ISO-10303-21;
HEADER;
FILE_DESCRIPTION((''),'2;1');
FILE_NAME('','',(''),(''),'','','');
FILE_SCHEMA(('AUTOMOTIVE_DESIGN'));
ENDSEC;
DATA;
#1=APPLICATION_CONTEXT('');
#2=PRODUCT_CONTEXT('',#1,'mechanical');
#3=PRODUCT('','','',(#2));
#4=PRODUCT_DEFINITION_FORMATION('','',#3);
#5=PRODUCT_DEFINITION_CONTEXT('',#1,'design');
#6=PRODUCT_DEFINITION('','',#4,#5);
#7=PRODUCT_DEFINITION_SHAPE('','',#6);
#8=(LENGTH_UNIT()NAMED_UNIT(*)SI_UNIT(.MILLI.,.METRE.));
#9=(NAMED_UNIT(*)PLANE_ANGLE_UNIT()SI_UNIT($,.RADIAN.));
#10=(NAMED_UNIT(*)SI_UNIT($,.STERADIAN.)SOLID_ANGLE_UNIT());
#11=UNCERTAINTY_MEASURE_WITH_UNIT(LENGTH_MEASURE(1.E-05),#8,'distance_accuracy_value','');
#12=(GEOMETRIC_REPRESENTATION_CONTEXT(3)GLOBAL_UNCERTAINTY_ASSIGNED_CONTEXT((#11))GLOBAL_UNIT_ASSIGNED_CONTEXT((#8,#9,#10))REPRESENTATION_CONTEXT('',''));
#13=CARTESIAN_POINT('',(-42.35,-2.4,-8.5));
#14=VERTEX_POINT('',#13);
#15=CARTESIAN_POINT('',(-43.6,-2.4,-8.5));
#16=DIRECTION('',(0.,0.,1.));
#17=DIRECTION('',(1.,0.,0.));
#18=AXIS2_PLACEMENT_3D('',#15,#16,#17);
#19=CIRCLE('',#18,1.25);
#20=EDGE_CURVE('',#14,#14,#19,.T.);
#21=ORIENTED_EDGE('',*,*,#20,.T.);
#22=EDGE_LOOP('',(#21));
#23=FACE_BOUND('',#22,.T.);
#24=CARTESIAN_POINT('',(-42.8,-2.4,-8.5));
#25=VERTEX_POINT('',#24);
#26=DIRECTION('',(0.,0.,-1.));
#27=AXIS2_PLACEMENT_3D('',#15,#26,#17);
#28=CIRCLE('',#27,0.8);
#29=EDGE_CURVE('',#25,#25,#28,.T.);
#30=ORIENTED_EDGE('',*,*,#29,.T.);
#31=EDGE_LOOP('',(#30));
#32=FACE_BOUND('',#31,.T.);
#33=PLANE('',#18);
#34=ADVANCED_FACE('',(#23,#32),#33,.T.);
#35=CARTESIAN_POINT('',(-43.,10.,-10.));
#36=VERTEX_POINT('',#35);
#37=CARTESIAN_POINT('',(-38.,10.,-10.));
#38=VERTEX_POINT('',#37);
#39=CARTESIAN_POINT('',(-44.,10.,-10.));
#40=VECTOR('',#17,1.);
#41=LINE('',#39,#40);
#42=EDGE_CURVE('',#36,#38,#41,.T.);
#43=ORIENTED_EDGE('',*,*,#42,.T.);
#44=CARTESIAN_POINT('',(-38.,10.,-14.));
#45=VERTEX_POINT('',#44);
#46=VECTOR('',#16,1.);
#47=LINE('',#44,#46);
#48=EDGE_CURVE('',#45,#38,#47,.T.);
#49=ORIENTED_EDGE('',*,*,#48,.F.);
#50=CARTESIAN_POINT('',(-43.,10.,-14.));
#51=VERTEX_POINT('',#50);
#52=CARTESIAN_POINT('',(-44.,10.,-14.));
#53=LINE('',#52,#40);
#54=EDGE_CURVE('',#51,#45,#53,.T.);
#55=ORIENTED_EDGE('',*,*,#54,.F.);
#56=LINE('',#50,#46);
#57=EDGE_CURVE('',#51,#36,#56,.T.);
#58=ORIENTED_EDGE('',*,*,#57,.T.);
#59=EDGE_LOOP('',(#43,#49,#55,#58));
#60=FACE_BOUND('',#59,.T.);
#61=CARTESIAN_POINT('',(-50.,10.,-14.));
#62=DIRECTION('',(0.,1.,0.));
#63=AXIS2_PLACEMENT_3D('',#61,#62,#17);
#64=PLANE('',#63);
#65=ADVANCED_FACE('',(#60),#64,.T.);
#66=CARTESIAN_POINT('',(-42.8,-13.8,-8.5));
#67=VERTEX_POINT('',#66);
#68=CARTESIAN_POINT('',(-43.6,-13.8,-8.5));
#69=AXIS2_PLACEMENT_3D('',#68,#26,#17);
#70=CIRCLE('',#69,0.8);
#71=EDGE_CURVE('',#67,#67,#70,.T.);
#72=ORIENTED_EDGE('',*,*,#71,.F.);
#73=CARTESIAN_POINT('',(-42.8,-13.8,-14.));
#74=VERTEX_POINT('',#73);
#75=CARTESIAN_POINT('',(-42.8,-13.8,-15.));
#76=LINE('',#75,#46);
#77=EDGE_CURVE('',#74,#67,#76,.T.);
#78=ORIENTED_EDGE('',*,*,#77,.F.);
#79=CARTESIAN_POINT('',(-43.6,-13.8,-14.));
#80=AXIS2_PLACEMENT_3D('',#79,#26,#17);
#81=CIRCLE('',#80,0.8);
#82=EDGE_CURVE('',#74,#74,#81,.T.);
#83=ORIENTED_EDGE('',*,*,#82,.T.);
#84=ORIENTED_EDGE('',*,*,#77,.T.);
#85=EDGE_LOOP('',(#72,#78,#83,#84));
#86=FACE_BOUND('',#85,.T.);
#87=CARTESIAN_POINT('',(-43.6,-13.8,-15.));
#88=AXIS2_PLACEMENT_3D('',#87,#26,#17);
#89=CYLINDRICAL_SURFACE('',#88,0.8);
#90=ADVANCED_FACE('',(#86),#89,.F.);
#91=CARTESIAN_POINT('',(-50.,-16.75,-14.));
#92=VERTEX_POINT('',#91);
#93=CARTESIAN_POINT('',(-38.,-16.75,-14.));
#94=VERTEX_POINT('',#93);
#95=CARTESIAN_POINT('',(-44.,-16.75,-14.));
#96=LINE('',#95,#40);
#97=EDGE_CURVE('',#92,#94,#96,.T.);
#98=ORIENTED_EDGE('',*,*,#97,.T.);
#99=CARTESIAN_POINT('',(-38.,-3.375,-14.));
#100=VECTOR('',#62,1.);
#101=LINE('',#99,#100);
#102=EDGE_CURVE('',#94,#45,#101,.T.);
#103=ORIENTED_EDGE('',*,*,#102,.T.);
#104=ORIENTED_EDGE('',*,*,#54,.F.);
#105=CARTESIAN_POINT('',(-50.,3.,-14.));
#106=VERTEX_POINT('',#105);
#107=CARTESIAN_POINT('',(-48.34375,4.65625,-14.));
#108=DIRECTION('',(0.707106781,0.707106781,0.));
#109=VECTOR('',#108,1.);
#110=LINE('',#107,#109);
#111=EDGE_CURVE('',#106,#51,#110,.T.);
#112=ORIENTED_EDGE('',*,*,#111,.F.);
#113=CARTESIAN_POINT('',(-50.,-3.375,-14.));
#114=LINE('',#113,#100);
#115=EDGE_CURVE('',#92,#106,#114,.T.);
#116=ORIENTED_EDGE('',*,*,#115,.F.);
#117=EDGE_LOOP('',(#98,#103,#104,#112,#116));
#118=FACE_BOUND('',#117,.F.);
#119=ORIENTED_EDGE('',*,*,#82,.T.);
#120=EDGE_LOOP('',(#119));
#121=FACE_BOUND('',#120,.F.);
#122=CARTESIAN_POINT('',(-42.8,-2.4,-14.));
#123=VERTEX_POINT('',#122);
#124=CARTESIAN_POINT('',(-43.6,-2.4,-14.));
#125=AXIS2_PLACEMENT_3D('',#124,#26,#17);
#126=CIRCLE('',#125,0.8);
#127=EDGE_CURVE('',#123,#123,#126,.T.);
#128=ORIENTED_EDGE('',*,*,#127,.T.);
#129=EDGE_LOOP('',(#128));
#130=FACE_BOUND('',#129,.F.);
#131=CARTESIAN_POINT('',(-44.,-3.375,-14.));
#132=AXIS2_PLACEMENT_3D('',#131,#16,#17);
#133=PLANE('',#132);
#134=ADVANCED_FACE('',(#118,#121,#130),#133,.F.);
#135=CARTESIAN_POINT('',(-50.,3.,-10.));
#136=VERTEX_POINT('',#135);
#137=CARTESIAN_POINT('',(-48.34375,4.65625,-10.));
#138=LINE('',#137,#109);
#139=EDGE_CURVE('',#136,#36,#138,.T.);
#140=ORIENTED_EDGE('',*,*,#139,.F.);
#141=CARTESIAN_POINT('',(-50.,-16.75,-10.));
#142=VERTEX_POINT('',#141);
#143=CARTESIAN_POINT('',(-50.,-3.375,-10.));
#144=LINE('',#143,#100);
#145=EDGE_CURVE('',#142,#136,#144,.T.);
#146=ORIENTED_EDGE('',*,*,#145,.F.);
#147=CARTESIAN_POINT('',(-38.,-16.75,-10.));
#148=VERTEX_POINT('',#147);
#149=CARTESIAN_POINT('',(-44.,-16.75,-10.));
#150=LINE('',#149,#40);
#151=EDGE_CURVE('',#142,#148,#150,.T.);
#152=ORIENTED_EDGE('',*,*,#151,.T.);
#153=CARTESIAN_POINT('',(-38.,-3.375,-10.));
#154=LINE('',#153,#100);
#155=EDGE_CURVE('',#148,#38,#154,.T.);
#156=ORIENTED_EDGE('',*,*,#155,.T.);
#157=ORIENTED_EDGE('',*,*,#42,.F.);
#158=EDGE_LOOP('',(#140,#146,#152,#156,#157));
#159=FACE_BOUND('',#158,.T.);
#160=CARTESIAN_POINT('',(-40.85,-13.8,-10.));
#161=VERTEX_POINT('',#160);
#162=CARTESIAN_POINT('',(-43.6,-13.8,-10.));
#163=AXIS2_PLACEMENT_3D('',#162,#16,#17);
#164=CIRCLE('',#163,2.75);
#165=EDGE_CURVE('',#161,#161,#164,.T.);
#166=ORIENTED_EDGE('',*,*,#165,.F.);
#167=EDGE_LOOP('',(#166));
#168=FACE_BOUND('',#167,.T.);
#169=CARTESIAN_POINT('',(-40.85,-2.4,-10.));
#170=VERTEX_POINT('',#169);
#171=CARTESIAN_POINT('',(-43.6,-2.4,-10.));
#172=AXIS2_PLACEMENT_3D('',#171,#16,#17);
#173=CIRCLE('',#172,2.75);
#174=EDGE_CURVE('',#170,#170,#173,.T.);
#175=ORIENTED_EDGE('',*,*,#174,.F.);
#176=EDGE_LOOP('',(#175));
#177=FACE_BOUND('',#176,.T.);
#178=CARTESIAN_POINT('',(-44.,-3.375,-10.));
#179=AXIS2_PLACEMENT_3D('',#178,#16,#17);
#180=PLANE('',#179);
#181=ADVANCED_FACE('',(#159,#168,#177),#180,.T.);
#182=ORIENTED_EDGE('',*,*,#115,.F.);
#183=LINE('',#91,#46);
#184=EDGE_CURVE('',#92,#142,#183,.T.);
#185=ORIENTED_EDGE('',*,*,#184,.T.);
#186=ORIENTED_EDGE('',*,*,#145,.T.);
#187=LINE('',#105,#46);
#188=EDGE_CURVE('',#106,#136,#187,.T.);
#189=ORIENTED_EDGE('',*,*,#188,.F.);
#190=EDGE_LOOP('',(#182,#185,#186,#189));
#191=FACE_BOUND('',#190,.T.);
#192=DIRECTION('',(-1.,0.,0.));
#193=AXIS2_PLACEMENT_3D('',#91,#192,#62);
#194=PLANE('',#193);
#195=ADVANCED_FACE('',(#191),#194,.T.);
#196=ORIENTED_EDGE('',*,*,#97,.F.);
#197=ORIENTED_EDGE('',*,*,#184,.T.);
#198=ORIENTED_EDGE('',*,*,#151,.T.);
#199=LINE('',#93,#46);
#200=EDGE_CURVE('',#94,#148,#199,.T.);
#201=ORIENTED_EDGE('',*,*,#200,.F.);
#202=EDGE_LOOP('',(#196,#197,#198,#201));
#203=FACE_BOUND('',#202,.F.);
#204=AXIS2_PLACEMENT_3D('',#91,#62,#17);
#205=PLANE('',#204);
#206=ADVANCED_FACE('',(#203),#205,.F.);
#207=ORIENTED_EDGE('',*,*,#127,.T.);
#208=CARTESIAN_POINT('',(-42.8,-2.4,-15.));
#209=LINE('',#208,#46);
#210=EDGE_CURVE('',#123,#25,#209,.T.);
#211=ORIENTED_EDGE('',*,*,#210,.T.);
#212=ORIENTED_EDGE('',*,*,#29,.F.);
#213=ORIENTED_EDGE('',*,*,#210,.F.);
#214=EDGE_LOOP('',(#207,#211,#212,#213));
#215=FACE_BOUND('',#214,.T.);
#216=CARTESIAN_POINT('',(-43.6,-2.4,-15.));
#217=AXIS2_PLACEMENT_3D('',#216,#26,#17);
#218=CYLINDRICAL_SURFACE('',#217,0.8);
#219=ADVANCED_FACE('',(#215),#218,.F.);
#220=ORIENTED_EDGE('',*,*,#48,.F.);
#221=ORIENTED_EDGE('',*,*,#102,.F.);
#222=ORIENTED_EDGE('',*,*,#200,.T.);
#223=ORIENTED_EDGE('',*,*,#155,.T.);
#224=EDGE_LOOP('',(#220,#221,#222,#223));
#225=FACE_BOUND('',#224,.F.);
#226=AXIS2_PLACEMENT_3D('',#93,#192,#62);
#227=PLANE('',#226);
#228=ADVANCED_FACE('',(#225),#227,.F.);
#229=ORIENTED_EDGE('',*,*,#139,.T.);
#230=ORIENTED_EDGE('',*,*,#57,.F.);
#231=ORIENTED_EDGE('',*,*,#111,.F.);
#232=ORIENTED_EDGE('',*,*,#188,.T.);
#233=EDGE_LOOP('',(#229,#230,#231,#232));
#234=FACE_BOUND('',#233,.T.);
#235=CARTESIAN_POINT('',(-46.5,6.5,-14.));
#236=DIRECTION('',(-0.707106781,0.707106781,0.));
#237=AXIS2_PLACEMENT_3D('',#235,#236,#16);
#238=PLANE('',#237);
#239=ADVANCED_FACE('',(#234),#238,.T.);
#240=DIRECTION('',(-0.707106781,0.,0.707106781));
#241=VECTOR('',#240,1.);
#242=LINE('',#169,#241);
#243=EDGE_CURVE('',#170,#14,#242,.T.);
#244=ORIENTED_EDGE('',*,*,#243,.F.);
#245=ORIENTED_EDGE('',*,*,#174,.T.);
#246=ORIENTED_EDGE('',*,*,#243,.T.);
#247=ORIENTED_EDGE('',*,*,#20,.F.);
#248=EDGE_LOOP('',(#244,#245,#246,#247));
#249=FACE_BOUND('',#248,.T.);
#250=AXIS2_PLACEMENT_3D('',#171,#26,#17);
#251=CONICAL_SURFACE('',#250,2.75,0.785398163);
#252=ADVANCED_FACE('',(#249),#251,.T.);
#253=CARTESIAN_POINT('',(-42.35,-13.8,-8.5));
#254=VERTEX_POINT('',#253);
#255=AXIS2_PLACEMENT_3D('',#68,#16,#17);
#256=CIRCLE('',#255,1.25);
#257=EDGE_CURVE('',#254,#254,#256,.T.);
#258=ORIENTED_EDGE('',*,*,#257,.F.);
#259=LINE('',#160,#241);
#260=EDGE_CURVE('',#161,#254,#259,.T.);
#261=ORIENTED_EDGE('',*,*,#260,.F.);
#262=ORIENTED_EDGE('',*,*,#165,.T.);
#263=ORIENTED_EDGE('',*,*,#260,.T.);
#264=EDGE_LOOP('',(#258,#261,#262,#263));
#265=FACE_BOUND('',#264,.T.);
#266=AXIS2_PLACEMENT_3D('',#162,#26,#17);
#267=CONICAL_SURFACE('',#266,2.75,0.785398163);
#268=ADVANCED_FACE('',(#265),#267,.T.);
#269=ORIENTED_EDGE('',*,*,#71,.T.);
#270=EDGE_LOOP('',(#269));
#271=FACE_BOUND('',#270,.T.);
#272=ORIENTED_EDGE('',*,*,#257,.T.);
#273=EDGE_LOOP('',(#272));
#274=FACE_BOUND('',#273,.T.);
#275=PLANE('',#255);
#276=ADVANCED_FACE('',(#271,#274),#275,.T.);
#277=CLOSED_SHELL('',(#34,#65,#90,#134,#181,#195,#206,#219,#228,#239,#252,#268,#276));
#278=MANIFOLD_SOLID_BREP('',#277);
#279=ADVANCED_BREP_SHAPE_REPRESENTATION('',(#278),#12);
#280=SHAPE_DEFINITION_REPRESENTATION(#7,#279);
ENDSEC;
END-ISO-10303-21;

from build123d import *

# Parameters (mm, degrees)
CYLINDER080_R     = 0.8
CYLINDER080_DEPTH = 14.5
CYLINDER079_R     = 0.8
CYLINDER079_DEPTH = 14.5
BOX043_W          = 12
BOX043_H          = 26.75
BOX043_DEPTH      = 4
CHAMFER_SIZE      = 7


with BuildPart() as cylinder132:
    # Cylinder080 → Cylinder080 (new body)
    with BuildSketch(Plane(origin=(-43.6, -13.8, -15), x_dir=(1, 0, 0), z_dir=(0, 0, 1))):
        Circle(CYLINDER080_R)
    extrude(amount=CYLINDER080_DEPTH)


with BuildPart() as fusion113:
    # Cylinder079 → Cylinder079 (new body)
    with BuildSketch(Plane(origin=(-43.6, -2.4, -15), x_dir=(1, 0, 0), z_dir=(0, 0, 1))):
        Circle(CYLINDER079_R)
    extrude(amount=CYLINDER079_DEPTH)

    # Fusion113: union Cylinder132
    add(cylinder132.part)


with BuildPart() as cone001:
    # Cone001 → Cone001 (revolve)
    with BuildSketch(Plane(origin=(-43.6, -13.8, -10), x_dir=(1, 0, 0), z_dir=(0, -1, 0))):
        Polygon((0, 0), (2.75, 0), (1.25, 1.5), (0, 1.5), align=None)
    revolve(axis=Axis((-43.6, -13.8, -10), (0, 0, 1)))


with BuildPart() as fusion111:
    # Cone → Cone (revolve)
    with BuildSketch(Plane(origin=(-43.6, -2.4, -10), x_dir=(1, 0, 0), z_dir=(0, -1, 0))):
        Polygon((0, 0), (2.75, 0), (1.25, 1.5), (0, 1.5), align=None)
    revolve(axis=Axis((-43.6, -2.4, -10), (0, 0, 1)))

    # Fusion111: union Cone001
    add(cone001.part)


with BuildPart() as cut045027:
    # Box043 → Box043 (new body)
    with BuildSketch(Plane(origin=(-50, -16.75, -14), x_dir=(1, 0, 0), z_dir=(0, 0, 1))):
        with Locations((6, 13.375)):
            Rectangle(BOX043_W, BOX043_H)
    extrude(amount=BOX043_DEPTH)

    # Chamfer
    chamfer_edges = [cut045027.edges().sort_by_distance(p)[0] for p in [
        (-50, 10, -12),
    ]]
    chamfer(chamfer_edges, length=CHAMFER_SIZE)

    # Fusion112: union Fusion111
    add(fusion111.part)

    # Cut045027: cut Fusion113
    add(fusion113.part, mode=Mode.SUBTRACT)


solid = cut045027.part
